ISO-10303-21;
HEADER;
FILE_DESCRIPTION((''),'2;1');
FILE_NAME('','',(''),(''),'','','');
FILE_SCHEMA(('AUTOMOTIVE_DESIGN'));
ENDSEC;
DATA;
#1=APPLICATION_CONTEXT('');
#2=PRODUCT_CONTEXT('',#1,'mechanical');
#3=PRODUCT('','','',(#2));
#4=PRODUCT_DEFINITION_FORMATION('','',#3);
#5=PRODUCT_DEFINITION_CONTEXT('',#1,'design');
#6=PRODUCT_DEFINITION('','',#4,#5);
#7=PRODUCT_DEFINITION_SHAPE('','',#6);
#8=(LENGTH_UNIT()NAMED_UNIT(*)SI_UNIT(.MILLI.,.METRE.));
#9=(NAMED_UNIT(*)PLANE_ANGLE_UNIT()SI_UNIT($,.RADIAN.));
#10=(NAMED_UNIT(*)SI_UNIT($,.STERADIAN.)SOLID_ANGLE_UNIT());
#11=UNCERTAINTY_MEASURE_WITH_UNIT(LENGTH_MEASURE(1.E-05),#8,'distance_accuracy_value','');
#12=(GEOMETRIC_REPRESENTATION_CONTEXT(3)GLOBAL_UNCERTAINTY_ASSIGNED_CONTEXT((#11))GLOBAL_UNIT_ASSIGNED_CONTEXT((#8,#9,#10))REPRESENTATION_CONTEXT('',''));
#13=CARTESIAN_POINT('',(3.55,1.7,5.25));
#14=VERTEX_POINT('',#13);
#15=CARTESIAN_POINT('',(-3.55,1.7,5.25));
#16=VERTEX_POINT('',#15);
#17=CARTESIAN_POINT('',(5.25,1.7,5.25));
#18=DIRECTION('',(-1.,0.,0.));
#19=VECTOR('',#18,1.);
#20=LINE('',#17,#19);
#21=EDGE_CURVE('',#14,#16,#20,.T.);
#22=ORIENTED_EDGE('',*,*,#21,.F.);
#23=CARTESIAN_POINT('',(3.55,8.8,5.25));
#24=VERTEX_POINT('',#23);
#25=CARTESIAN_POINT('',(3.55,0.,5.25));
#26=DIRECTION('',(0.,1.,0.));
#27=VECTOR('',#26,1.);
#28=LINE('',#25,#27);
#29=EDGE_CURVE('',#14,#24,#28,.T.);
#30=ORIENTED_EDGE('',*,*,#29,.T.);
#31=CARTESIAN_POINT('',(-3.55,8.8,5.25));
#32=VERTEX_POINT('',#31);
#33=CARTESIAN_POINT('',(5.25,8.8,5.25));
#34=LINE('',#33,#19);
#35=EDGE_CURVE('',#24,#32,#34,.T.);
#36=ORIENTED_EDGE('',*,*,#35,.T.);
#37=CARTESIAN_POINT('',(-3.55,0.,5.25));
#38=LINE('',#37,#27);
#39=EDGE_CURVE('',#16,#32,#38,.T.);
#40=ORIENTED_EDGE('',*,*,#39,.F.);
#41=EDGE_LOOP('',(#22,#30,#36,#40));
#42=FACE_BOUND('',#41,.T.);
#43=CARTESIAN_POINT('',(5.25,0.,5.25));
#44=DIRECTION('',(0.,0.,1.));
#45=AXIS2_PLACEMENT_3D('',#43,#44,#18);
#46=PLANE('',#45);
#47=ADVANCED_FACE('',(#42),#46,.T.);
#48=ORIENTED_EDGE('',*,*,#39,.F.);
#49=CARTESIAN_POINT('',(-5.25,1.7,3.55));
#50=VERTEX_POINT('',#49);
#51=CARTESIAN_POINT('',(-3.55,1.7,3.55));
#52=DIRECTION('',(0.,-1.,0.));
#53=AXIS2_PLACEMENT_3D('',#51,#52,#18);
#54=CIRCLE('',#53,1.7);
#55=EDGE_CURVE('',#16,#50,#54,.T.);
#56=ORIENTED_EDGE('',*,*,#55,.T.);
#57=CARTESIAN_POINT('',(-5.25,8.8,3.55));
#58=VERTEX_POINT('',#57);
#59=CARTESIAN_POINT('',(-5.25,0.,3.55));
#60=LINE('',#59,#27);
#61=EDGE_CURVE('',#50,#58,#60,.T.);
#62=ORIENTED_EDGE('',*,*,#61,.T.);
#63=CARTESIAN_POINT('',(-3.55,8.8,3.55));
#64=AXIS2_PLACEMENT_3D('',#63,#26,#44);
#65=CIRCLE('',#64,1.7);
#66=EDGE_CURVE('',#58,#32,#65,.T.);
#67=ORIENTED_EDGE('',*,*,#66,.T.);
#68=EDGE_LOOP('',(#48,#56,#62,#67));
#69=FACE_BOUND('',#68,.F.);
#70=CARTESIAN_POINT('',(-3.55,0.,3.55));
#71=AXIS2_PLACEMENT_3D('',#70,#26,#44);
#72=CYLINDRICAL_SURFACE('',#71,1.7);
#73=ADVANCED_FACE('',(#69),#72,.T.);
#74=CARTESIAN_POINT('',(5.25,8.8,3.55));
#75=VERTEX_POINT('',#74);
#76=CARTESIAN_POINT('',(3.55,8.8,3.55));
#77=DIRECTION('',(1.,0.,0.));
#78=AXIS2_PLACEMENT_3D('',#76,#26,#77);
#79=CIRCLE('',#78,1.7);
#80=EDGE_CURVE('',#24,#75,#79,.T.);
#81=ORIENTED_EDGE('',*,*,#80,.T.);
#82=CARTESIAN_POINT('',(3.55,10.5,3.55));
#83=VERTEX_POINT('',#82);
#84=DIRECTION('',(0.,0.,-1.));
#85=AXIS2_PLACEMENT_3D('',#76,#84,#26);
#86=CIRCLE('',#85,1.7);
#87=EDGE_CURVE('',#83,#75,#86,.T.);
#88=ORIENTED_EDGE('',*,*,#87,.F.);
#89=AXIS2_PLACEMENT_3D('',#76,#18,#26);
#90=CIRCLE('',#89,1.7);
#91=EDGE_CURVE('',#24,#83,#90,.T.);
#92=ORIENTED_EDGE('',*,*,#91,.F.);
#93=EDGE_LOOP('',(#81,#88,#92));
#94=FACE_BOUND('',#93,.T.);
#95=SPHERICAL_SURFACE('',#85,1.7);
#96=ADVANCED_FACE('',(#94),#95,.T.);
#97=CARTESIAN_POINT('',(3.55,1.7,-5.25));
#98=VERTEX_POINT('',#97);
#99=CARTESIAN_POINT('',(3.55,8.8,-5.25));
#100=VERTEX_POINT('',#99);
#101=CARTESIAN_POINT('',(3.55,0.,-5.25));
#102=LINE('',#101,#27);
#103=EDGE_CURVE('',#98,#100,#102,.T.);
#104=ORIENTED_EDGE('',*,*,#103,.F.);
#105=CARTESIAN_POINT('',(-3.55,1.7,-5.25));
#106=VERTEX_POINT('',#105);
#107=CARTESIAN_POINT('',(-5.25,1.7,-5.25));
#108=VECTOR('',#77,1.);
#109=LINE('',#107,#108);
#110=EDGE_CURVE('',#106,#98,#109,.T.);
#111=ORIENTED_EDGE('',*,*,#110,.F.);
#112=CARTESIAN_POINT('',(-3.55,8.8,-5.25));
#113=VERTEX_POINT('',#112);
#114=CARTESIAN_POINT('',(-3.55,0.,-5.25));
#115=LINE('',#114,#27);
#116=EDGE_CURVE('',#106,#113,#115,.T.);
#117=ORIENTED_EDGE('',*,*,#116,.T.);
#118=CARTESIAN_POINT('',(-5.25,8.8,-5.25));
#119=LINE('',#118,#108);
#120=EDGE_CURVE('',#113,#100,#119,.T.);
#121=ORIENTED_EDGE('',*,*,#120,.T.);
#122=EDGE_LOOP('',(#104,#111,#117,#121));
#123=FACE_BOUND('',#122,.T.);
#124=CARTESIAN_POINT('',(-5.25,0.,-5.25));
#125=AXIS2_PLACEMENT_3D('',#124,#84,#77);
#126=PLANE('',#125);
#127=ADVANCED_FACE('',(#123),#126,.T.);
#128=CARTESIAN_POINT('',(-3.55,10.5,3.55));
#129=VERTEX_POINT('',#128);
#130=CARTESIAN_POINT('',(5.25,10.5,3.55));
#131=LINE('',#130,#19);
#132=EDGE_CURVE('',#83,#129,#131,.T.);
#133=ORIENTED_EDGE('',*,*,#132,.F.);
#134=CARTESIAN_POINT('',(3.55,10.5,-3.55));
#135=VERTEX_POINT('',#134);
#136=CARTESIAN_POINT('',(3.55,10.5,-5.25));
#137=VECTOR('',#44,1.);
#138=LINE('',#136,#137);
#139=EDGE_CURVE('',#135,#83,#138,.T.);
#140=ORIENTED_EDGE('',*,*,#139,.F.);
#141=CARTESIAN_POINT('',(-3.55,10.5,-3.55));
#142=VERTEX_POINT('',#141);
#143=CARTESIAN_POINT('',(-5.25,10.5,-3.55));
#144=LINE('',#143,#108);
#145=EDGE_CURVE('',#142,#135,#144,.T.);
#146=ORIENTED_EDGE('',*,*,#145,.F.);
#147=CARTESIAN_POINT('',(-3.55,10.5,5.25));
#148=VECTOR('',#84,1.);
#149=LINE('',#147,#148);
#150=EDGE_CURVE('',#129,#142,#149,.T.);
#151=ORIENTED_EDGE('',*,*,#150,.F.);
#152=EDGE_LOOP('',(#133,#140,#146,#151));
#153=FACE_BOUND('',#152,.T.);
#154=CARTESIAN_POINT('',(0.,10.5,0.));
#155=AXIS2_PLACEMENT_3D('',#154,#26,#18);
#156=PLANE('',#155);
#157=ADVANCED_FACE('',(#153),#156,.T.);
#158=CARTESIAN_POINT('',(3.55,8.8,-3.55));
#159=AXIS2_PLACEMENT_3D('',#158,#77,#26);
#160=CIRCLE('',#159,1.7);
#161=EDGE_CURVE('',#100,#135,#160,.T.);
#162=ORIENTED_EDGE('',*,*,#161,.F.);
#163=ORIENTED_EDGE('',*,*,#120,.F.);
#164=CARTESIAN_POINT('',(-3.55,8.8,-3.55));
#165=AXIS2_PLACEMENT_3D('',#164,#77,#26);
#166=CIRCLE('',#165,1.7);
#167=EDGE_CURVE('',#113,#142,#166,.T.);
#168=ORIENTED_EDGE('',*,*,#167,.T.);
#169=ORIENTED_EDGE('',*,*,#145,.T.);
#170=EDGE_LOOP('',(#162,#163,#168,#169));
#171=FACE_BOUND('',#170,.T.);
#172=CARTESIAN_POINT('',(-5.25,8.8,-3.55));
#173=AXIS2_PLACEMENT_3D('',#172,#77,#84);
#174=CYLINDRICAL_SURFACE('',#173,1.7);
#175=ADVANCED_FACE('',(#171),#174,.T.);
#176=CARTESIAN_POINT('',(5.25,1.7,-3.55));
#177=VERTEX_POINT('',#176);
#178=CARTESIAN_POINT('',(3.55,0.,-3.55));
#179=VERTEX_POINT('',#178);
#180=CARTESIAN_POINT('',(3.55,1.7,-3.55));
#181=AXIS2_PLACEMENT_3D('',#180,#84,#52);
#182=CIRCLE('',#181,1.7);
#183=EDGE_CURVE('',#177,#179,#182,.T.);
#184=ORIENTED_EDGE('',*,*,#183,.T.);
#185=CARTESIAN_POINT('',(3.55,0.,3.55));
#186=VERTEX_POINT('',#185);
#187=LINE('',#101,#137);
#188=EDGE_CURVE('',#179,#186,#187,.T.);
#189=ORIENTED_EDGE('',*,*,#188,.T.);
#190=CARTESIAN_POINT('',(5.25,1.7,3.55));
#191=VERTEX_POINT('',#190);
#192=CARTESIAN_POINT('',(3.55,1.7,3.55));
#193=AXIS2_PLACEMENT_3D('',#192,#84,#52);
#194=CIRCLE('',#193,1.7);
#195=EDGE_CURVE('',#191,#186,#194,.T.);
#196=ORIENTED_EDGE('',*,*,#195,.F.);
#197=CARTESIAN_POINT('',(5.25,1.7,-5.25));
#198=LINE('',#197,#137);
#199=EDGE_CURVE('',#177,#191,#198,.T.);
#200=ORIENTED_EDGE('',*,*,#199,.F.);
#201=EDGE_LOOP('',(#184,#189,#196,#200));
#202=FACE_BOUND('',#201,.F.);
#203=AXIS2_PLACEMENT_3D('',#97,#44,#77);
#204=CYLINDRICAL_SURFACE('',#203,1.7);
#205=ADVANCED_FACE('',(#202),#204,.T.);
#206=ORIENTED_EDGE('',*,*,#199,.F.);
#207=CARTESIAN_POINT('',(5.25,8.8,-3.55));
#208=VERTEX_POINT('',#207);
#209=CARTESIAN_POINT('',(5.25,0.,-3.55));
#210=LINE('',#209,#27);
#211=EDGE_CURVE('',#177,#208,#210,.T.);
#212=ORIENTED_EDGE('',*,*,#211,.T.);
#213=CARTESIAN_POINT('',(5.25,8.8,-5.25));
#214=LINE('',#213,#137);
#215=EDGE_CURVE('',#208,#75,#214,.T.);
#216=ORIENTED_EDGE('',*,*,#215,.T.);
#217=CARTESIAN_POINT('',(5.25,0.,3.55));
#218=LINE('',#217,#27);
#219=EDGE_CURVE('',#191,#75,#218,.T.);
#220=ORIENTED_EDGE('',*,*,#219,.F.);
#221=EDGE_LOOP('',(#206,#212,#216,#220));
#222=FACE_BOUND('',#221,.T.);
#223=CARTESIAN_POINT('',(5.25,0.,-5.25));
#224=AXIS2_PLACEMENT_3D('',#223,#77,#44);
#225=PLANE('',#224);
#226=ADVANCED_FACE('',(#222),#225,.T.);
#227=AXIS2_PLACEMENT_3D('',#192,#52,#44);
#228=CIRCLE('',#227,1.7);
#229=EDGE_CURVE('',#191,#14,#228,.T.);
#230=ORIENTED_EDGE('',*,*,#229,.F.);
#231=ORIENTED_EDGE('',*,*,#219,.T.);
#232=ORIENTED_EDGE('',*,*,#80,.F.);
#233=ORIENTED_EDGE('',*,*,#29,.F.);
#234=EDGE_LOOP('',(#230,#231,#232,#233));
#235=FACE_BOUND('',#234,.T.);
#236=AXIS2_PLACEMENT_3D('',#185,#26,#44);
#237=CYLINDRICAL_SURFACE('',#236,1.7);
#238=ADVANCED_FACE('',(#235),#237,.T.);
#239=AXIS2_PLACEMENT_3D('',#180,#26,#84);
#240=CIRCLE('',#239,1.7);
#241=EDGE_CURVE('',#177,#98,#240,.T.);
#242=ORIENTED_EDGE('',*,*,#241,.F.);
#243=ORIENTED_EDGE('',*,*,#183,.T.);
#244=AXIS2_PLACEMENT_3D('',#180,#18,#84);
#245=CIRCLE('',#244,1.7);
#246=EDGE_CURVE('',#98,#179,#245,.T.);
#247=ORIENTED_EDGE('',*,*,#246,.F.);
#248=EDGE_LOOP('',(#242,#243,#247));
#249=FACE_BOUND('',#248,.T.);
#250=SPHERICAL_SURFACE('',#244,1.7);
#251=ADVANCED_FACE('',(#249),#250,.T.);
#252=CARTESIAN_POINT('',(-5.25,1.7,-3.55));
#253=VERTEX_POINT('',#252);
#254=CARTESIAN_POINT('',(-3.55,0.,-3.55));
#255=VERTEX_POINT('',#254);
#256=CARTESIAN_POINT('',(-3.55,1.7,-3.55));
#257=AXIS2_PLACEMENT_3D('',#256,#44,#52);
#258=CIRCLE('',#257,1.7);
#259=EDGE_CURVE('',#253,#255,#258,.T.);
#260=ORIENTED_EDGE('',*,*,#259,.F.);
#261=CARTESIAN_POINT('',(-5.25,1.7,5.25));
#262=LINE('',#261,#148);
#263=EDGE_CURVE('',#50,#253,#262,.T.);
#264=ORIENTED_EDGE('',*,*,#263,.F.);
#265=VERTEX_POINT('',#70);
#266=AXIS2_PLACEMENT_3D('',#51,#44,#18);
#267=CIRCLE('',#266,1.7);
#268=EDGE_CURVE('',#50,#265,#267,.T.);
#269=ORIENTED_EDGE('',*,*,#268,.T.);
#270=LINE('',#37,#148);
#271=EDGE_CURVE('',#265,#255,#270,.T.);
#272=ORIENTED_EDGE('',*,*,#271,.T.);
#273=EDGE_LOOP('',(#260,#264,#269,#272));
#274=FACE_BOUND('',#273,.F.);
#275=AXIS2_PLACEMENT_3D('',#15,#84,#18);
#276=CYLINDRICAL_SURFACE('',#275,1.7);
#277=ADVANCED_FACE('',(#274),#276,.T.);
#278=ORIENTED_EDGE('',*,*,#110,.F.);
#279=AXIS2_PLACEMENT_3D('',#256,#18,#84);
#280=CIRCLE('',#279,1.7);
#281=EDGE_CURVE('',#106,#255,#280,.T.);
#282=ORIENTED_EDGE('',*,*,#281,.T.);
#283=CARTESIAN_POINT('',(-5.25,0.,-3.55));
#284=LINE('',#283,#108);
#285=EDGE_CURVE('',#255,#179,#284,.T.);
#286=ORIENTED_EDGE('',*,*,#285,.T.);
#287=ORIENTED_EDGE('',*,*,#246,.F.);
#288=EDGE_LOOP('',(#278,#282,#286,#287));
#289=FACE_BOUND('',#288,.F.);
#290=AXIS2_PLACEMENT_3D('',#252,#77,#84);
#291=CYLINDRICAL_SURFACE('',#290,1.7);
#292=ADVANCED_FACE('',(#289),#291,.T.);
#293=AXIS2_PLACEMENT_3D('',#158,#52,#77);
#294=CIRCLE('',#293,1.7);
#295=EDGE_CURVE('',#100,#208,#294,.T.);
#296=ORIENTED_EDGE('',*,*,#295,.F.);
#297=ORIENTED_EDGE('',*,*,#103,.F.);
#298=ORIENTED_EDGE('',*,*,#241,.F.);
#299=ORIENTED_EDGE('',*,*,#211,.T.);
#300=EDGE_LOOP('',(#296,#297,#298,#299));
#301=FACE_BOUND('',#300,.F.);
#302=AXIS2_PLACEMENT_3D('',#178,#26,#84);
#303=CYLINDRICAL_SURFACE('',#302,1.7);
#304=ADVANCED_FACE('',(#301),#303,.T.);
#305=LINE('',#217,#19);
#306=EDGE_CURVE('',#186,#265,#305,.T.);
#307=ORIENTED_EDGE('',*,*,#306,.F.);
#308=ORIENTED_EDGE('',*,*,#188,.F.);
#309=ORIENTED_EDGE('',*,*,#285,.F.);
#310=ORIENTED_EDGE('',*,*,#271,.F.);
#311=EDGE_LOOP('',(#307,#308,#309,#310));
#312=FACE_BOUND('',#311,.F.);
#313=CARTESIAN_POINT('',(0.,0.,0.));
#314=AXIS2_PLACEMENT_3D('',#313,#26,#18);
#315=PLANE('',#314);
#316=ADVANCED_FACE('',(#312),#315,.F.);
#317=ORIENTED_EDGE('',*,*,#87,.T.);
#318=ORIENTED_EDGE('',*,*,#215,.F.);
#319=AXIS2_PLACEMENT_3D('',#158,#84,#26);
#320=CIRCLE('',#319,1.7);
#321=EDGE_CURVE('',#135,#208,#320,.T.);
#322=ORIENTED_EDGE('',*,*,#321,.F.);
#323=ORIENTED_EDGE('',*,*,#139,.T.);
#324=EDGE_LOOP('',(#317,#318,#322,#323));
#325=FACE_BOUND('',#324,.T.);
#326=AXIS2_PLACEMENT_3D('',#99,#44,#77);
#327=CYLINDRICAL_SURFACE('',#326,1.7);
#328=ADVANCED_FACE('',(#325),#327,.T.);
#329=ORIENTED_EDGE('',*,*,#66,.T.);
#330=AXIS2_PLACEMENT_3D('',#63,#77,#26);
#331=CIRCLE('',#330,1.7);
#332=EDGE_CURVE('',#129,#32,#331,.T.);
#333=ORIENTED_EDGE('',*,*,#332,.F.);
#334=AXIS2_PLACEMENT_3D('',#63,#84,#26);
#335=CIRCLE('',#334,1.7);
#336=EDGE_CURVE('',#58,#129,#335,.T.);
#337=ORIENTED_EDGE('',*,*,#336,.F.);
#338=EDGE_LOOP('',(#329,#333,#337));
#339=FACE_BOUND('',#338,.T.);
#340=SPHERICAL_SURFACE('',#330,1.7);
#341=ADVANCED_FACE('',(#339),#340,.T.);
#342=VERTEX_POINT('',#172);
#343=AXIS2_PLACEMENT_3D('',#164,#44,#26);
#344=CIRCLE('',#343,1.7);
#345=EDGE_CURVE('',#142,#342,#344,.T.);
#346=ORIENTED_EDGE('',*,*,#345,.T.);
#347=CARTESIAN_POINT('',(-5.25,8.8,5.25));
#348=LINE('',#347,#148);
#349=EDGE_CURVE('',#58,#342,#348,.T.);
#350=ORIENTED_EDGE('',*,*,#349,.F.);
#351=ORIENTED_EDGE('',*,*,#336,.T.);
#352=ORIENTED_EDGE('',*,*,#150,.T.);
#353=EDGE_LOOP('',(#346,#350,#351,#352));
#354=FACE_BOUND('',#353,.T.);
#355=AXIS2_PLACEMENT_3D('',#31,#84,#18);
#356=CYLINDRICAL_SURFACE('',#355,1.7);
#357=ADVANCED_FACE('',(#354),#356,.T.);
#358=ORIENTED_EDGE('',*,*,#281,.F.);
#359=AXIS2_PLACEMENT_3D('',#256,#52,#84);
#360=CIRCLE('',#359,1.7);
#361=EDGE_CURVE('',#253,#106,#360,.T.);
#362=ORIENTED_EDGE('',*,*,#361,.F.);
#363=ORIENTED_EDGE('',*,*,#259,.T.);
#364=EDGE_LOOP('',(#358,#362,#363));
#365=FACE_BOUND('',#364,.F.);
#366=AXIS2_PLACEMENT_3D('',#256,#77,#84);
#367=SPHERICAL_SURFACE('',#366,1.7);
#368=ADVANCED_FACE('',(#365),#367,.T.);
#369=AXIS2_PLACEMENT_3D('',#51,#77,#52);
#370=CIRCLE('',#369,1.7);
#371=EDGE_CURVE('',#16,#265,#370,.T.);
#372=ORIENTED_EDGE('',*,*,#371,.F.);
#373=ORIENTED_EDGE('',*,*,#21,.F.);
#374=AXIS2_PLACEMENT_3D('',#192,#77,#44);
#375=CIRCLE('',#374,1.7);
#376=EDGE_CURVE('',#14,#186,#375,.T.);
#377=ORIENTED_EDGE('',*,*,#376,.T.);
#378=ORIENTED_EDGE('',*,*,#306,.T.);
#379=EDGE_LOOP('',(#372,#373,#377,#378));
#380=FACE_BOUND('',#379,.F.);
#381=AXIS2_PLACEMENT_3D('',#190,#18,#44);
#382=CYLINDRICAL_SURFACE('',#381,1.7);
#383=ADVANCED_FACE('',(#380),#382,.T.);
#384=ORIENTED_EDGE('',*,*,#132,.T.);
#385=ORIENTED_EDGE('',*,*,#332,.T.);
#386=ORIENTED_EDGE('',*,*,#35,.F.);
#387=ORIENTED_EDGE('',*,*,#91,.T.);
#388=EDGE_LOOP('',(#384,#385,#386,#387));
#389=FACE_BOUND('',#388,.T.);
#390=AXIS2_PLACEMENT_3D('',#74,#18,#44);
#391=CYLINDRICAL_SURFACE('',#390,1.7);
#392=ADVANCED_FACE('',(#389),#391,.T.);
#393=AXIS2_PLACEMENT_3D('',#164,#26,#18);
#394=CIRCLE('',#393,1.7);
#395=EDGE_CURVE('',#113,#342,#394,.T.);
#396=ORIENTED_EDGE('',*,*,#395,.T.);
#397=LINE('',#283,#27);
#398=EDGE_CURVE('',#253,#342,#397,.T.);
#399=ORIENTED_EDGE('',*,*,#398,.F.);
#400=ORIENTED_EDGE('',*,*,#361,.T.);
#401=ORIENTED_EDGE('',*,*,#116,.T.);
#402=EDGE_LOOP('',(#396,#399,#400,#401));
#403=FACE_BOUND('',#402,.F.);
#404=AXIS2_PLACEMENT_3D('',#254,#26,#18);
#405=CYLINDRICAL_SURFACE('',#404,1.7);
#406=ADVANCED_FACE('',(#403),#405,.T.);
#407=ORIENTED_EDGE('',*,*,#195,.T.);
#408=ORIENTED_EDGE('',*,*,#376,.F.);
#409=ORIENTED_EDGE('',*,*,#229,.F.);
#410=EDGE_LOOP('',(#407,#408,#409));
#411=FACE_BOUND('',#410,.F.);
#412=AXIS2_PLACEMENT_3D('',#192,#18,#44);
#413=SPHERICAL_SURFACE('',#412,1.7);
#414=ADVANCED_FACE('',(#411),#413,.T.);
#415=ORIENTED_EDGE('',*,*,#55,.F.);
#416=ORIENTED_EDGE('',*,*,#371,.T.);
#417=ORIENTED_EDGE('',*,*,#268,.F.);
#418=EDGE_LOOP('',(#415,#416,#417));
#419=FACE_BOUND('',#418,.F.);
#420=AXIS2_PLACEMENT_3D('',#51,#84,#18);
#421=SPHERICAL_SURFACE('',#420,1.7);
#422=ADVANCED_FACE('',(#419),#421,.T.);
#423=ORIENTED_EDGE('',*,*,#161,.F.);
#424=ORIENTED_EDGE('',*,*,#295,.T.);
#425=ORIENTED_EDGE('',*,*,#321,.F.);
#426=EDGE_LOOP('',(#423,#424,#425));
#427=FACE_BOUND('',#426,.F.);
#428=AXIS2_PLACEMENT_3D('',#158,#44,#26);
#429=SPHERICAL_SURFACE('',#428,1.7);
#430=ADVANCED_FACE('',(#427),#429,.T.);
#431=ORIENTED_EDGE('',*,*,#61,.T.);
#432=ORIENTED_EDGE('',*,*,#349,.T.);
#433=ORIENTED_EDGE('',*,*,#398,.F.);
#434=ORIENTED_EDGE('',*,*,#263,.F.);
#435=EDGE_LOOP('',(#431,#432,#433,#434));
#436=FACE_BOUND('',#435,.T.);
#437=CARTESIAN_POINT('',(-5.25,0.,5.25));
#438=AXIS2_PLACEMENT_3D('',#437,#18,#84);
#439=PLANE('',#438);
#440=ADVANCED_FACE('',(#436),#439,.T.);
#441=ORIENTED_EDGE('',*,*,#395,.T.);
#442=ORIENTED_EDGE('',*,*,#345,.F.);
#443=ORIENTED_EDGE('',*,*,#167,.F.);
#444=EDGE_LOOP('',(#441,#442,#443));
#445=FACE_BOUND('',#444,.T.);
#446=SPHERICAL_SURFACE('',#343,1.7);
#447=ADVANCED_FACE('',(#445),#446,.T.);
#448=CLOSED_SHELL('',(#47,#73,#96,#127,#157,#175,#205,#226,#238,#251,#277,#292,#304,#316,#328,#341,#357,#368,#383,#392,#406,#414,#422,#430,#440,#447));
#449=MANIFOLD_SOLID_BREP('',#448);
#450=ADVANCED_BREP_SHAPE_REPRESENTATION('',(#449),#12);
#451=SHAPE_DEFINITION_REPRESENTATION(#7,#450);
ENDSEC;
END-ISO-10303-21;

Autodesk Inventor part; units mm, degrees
ref_plane "YZ Plane" through (0, 0, 0) normal (1, 0, 0) x (0, 1, 0)
ref_plane "XZ Plane" through (0, 0, 0) normal (0, 1, 0) x (-1, 0, 0)
ref_plane "XY Plane" through (0, 0, 0) normal (0, 0, 1) x (1, 0, 0)
sketch "Эскиз1" plane through (0, 0, 0) normal (0, 1, 0) x (-1, 0, 0)
  line L0 (-5.25, 5.25) -> (5.25, 5.25)
  line L1 (5.25, 5.25) -> (5.25, -5.25)
  line L2 (5.25, -5.25) -> (-5.25, -5.25)
  line L3 (-5.25, -5.25) -> (-5.25, 5.25)
  line L4 (-5.25, 5.25) -> (5.25, -5.25) construction
  line L5 (5.25, 5.25) -> (-5.25, -5.25) construction
  point P0 (0, 0)
  dimension "d0" = 10.5
  dimension "d1" = 10.5
extrude "Выдавливание1" add sketch "Эскиз1" along normal blind 10.5
fillet "Сопряжение1" radius 1.7 12 edges at (5.25, 10.5, 0) (0, 10.5, 5.25) (-5.25, 10.5, 0) (0, 10.5, -5.25) (0, 0, -5.25) (-5.25, 5.25, -5.25) (-5.25, 0, 0) (-5.25, 5.25, 5.25) (0, 0, 5.25) (5.25, 5.25, 5.25) (5.25, 5.25, -5.25) (5.25, 0, 0)
properties part number "kubik"
